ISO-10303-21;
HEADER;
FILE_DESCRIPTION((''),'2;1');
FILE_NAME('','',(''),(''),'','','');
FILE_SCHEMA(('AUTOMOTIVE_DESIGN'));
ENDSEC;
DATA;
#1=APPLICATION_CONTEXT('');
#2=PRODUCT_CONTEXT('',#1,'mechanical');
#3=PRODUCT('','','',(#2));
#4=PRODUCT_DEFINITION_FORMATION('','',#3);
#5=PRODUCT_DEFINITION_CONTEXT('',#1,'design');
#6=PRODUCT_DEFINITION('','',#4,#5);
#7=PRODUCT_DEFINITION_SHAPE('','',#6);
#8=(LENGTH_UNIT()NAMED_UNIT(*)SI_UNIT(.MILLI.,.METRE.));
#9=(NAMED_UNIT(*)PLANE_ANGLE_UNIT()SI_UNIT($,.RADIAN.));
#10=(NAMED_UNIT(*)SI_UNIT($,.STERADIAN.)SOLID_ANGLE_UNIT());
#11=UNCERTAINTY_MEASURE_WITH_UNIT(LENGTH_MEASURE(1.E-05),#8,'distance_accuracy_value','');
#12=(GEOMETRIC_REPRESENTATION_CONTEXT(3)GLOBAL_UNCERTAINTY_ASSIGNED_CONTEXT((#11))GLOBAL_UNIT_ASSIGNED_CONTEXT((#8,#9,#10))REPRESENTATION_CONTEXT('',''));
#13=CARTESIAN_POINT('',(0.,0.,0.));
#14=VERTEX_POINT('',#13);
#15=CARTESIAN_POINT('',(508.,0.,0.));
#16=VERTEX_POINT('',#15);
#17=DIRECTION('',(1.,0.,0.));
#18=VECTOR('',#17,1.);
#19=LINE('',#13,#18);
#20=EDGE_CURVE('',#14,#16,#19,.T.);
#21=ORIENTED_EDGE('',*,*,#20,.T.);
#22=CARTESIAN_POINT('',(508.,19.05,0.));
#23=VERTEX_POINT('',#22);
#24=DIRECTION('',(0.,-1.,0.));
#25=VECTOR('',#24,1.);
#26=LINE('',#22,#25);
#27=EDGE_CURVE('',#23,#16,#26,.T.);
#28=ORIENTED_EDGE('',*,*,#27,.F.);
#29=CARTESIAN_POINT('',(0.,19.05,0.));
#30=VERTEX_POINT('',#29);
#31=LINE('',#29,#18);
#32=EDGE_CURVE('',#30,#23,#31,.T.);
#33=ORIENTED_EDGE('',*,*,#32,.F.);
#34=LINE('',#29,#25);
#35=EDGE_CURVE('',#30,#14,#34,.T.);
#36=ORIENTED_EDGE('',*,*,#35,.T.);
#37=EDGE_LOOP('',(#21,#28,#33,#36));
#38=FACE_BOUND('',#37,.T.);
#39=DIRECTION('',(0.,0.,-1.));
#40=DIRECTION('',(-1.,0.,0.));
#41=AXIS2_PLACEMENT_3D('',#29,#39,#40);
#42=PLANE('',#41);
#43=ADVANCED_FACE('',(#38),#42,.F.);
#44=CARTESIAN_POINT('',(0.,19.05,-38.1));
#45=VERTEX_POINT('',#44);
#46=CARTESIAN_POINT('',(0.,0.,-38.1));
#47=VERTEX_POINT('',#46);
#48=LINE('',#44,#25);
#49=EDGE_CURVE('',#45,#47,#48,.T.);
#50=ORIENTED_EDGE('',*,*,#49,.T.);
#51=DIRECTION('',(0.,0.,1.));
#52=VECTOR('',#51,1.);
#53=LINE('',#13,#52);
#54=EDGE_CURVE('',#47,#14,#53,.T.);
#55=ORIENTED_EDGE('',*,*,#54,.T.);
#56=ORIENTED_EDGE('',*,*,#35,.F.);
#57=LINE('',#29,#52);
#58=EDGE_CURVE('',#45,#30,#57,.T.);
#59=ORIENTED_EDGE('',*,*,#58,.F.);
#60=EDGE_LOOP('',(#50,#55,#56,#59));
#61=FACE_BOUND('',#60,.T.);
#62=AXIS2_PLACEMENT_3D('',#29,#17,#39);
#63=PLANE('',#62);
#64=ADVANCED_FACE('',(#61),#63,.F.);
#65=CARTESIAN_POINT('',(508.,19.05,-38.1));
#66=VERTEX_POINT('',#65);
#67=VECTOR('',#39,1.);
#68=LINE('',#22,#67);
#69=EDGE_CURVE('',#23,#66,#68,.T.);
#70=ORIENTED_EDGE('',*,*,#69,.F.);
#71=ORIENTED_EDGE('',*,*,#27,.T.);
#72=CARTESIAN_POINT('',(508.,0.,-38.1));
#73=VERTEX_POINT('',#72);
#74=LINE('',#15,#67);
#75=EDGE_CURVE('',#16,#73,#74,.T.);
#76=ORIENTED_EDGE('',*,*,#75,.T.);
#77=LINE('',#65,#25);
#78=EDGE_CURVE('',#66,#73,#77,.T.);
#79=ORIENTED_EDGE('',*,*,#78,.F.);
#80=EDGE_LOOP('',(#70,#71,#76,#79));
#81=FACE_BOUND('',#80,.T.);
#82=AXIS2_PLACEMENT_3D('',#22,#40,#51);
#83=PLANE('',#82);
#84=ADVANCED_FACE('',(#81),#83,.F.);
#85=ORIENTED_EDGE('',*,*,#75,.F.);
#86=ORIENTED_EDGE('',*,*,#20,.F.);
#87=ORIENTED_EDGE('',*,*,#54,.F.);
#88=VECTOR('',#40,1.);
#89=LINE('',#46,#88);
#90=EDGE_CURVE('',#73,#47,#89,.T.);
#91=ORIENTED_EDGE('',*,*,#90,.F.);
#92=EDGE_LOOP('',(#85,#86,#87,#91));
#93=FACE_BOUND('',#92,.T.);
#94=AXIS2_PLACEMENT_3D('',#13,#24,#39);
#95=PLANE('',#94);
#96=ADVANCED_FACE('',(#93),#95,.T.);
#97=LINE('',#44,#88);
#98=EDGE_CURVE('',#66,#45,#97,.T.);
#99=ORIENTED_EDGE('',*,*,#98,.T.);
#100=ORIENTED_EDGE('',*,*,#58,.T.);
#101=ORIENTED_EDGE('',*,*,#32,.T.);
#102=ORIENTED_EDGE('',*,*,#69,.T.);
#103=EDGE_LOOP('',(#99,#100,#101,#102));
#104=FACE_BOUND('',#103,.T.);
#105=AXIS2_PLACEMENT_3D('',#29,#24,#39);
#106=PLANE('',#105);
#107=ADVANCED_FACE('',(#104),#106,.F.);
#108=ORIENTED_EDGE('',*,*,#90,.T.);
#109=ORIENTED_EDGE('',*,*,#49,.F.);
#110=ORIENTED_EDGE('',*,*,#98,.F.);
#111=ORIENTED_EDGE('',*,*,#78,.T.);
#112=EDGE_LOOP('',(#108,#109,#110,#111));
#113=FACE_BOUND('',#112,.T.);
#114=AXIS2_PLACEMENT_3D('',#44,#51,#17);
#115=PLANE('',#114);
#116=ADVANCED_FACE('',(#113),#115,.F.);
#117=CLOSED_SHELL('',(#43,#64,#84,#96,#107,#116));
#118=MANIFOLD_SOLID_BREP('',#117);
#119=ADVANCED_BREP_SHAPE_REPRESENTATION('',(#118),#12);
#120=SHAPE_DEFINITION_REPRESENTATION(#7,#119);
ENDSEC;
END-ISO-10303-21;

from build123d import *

# Parameters (mm, degrees)
SKETCH1_W           = 508
SKETCH1_H           = 38.1
BOSS_EXTRUDE1_DEPTH = 19.05


with BuildPart() as part:
    # Sketch1 → Boss-Extrude1 (new body)
    with BuildSketch(Plane(origin=(0, 0, 0), x_dir=(1, 0, 0), z_dir=(0, 1, 0))):
        with Locations((254, 19.05)):
            Rectangle(SKETCH1_W, SKETCH1_H)
    extrude(amount=BOSS_EXTRUDE1_DEPTH)


solid = part.part
